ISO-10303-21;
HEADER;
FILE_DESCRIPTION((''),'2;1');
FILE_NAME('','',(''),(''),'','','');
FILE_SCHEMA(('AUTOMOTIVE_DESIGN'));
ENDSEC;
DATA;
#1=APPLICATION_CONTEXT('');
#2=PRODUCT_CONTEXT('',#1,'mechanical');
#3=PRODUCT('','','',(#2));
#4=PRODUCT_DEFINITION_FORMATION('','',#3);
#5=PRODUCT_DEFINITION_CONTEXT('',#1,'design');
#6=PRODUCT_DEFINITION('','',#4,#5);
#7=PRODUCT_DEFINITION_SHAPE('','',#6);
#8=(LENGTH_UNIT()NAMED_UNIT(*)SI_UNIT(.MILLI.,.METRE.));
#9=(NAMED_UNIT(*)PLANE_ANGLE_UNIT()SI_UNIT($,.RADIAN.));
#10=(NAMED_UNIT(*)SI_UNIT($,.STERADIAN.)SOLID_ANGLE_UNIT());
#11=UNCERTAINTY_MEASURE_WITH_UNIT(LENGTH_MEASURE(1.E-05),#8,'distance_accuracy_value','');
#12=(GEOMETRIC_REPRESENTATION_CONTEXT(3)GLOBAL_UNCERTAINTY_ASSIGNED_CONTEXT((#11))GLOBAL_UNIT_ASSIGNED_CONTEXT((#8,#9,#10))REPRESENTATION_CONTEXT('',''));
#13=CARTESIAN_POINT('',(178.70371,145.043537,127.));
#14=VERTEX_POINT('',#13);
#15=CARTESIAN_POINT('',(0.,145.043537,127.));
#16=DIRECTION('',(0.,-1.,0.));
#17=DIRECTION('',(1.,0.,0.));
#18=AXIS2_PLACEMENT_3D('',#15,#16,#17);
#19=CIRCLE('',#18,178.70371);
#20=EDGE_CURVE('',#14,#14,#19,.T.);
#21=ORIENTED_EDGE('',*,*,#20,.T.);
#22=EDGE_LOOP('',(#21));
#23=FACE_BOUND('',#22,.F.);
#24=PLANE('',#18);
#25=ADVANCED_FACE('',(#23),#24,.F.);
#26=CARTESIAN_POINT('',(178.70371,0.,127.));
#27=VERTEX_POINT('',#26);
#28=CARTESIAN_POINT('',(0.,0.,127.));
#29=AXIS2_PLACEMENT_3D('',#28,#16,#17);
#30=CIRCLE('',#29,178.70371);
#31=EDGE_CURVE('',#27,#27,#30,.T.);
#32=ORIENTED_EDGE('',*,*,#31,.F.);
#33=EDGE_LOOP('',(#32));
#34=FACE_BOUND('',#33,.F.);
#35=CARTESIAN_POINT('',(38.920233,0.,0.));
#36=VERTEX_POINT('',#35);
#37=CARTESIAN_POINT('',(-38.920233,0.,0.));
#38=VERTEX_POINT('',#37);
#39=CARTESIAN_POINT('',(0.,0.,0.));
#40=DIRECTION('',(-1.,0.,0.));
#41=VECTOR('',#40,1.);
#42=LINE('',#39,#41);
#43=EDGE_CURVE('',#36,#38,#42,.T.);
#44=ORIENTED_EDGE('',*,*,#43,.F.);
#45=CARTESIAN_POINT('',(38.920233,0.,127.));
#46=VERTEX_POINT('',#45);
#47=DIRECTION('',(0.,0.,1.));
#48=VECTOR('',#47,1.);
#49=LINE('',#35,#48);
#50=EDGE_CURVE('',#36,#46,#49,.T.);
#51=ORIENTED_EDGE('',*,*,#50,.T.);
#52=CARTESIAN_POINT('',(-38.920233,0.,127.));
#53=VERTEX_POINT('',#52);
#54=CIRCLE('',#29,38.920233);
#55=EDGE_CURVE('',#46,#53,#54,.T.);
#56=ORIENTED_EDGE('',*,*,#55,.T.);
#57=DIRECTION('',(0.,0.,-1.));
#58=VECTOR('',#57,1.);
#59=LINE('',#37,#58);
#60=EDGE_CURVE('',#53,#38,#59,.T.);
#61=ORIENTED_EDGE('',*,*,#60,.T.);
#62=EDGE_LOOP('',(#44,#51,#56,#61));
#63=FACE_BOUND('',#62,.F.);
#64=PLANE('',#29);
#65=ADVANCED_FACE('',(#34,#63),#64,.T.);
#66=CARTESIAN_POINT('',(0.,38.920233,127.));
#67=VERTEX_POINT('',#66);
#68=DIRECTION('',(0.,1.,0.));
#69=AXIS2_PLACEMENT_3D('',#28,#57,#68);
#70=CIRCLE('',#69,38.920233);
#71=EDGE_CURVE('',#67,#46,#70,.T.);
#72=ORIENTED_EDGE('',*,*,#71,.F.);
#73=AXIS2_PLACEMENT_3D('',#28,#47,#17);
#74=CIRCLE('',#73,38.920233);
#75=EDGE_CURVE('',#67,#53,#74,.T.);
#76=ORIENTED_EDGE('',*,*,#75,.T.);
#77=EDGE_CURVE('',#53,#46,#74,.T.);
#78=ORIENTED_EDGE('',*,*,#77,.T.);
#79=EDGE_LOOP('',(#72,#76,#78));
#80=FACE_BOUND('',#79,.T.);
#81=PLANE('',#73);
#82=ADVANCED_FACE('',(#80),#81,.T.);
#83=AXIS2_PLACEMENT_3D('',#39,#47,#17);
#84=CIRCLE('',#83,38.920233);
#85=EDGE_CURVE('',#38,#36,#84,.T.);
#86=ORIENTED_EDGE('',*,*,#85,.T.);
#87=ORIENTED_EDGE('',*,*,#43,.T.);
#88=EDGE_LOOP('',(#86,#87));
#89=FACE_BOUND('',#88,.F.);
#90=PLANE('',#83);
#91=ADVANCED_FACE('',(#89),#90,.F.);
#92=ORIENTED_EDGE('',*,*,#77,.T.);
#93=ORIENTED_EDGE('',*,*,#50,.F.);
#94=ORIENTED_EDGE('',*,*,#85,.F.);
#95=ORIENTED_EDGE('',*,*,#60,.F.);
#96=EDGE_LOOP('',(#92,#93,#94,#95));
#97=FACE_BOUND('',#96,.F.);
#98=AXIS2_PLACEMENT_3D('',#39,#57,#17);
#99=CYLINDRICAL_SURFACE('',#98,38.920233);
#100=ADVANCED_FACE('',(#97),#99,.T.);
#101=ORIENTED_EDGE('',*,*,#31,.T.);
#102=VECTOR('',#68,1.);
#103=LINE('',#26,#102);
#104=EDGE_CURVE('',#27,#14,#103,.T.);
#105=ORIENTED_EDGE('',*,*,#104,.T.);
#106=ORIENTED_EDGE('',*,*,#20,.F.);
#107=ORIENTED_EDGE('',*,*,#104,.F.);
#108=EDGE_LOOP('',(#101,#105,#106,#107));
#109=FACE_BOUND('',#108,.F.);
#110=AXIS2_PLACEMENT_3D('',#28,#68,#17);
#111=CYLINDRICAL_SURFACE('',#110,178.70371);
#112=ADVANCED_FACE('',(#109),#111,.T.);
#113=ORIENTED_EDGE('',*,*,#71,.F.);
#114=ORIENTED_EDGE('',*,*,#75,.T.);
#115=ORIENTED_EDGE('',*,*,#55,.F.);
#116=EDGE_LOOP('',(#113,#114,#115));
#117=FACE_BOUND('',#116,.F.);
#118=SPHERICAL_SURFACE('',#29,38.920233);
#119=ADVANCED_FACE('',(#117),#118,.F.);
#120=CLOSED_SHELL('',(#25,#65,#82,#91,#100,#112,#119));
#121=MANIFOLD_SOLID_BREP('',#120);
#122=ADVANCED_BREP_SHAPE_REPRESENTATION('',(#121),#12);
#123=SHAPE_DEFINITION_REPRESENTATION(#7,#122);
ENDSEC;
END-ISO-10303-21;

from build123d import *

# Parameters (mm, degrees)
F0_R     = 38.9202329199
F1_DEPTH = 127


with BuildPart() as f1:
    # F0 (on Top) → F1 (new body)
    with BuildSketch(Plane.XY):
        Circle(F0_R)
    extrude(amount=F1_DEPTH)

    # F2 (on face) → F3 (revolve)
    with BuildSketch(Plane.XY.offset(127)):
        with BuildLine():
            ThreePointArc((0, 38.9202329199), (27.520760623, 27.520760623), (38.9202329199, 0))
            Line((38.9202329199, 0), (178.7037104368, 0))
            Line((178.7037104368, 0), (178.7037104368, 145.0435370207))
            Line((178.7037104368, 145.0435370207), (0, 145.0435370207))
            Line((0, 145.0435370207), (0, 38.9202329199))
        make_face()
    revolve(axis=Axis((0, 108.697719872, 127), (0, -1, 0)))


solid = f1.part
